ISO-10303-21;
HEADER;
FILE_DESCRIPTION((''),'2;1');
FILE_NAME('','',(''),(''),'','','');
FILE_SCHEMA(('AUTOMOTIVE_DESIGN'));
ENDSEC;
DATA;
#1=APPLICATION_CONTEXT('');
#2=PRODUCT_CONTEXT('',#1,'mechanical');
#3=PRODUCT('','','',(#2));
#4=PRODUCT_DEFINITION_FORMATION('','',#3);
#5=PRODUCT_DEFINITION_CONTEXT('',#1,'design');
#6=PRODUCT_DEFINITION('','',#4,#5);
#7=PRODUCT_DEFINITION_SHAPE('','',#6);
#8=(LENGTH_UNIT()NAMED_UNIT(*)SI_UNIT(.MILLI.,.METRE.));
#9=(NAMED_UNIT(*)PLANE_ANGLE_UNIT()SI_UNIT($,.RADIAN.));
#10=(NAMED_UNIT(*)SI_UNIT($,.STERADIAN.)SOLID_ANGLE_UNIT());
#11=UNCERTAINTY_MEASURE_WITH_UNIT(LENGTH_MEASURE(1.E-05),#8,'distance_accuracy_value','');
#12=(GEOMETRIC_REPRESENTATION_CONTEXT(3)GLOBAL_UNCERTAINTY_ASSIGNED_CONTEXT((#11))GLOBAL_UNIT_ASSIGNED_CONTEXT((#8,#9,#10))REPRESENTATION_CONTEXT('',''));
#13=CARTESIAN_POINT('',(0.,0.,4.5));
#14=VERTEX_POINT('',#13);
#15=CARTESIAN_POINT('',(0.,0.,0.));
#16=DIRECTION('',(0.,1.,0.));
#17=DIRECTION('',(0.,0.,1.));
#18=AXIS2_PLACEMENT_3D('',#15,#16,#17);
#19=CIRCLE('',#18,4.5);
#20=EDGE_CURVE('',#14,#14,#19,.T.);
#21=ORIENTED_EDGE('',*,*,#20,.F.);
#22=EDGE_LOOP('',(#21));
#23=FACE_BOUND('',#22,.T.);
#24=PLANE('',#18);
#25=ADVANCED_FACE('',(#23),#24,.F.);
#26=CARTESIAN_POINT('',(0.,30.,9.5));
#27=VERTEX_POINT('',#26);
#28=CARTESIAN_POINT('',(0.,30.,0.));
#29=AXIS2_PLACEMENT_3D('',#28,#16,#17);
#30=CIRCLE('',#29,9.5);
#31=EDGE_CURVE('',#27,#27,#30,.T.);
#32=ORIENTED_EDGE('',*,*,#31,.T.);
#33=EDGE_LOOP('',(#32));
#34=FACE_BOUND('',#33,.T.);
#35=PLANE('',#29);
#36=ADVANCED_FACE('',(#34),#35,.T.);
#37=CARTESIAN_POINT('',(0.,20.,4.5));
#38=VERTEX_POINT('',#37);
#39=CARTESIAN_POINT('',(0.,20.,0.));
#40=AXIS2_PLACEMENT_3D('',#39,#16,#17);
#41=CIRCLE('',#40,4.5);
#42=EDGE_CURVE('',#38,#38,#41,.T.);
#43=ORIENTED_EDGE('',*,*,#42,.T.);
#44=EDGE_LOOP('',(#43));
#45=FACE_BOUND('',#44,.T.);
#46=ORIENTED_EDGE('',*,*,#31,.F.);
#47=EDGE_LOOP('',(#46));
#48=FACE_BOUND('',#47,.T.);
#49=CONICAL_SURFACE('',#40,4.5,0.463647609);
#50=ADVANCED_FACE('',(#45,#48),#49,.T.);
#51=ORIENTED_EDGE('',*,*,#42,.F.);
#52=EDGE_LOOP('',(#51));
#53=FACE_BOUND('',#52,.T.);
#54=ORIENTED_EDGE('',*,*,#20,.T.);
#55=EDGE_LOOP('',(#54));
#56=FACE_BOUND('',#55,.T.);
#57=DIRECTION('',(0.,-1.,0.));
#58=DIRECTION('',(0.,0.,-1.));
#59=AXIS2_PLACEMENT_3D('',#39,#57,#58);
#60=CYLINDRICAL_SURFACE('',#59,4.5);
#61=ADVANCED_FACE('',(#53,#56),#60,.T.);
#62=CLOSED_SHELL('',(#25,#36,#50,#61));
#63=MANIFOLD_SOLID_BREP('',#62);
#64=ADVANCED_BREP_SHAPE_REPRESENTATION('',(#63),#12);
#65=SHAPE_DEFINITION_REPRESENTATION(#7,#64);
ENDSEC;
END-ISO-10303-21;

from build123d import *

# Parameters (mm, degrees)
CROQUIS1_R              = 4.5
SALIENTE_EXTRUIR1_DEPTH = 20
CROQUIS2_R              = 9.5


with BuildPart() as part:
    # Croquis1 → Saliente-Extruir1 (new body)
    with BuildSketch(Plane(origin=(0, 0, 0), x_dir=(1, 0, 0), z_dir=(0, 1, 0))):
        with Locations(Location((0, 0, 0), (0, 0, 270))):
            Circle(CROQUIS1_R)
    extrude(amount=SALIENTE_EXTRUIR1_DEPTH)

    # Croquis2 → section 0 of recubrir1
    with BuildSketch(Plane(origin=(0, 30, 0), x_dir=(1, 0, 0), z_dir=(0, 1, 0)), mode=Mode.PRIVATE) as recubrir1_s0:
        Circle(CROQUIS2_R)
    # loft up to a face of the part (recubrir1)
    loft([recubrir1_s0.sketch, part.faces().sort_by_distance((0, 20, 0))[0]])


solid = part.part
